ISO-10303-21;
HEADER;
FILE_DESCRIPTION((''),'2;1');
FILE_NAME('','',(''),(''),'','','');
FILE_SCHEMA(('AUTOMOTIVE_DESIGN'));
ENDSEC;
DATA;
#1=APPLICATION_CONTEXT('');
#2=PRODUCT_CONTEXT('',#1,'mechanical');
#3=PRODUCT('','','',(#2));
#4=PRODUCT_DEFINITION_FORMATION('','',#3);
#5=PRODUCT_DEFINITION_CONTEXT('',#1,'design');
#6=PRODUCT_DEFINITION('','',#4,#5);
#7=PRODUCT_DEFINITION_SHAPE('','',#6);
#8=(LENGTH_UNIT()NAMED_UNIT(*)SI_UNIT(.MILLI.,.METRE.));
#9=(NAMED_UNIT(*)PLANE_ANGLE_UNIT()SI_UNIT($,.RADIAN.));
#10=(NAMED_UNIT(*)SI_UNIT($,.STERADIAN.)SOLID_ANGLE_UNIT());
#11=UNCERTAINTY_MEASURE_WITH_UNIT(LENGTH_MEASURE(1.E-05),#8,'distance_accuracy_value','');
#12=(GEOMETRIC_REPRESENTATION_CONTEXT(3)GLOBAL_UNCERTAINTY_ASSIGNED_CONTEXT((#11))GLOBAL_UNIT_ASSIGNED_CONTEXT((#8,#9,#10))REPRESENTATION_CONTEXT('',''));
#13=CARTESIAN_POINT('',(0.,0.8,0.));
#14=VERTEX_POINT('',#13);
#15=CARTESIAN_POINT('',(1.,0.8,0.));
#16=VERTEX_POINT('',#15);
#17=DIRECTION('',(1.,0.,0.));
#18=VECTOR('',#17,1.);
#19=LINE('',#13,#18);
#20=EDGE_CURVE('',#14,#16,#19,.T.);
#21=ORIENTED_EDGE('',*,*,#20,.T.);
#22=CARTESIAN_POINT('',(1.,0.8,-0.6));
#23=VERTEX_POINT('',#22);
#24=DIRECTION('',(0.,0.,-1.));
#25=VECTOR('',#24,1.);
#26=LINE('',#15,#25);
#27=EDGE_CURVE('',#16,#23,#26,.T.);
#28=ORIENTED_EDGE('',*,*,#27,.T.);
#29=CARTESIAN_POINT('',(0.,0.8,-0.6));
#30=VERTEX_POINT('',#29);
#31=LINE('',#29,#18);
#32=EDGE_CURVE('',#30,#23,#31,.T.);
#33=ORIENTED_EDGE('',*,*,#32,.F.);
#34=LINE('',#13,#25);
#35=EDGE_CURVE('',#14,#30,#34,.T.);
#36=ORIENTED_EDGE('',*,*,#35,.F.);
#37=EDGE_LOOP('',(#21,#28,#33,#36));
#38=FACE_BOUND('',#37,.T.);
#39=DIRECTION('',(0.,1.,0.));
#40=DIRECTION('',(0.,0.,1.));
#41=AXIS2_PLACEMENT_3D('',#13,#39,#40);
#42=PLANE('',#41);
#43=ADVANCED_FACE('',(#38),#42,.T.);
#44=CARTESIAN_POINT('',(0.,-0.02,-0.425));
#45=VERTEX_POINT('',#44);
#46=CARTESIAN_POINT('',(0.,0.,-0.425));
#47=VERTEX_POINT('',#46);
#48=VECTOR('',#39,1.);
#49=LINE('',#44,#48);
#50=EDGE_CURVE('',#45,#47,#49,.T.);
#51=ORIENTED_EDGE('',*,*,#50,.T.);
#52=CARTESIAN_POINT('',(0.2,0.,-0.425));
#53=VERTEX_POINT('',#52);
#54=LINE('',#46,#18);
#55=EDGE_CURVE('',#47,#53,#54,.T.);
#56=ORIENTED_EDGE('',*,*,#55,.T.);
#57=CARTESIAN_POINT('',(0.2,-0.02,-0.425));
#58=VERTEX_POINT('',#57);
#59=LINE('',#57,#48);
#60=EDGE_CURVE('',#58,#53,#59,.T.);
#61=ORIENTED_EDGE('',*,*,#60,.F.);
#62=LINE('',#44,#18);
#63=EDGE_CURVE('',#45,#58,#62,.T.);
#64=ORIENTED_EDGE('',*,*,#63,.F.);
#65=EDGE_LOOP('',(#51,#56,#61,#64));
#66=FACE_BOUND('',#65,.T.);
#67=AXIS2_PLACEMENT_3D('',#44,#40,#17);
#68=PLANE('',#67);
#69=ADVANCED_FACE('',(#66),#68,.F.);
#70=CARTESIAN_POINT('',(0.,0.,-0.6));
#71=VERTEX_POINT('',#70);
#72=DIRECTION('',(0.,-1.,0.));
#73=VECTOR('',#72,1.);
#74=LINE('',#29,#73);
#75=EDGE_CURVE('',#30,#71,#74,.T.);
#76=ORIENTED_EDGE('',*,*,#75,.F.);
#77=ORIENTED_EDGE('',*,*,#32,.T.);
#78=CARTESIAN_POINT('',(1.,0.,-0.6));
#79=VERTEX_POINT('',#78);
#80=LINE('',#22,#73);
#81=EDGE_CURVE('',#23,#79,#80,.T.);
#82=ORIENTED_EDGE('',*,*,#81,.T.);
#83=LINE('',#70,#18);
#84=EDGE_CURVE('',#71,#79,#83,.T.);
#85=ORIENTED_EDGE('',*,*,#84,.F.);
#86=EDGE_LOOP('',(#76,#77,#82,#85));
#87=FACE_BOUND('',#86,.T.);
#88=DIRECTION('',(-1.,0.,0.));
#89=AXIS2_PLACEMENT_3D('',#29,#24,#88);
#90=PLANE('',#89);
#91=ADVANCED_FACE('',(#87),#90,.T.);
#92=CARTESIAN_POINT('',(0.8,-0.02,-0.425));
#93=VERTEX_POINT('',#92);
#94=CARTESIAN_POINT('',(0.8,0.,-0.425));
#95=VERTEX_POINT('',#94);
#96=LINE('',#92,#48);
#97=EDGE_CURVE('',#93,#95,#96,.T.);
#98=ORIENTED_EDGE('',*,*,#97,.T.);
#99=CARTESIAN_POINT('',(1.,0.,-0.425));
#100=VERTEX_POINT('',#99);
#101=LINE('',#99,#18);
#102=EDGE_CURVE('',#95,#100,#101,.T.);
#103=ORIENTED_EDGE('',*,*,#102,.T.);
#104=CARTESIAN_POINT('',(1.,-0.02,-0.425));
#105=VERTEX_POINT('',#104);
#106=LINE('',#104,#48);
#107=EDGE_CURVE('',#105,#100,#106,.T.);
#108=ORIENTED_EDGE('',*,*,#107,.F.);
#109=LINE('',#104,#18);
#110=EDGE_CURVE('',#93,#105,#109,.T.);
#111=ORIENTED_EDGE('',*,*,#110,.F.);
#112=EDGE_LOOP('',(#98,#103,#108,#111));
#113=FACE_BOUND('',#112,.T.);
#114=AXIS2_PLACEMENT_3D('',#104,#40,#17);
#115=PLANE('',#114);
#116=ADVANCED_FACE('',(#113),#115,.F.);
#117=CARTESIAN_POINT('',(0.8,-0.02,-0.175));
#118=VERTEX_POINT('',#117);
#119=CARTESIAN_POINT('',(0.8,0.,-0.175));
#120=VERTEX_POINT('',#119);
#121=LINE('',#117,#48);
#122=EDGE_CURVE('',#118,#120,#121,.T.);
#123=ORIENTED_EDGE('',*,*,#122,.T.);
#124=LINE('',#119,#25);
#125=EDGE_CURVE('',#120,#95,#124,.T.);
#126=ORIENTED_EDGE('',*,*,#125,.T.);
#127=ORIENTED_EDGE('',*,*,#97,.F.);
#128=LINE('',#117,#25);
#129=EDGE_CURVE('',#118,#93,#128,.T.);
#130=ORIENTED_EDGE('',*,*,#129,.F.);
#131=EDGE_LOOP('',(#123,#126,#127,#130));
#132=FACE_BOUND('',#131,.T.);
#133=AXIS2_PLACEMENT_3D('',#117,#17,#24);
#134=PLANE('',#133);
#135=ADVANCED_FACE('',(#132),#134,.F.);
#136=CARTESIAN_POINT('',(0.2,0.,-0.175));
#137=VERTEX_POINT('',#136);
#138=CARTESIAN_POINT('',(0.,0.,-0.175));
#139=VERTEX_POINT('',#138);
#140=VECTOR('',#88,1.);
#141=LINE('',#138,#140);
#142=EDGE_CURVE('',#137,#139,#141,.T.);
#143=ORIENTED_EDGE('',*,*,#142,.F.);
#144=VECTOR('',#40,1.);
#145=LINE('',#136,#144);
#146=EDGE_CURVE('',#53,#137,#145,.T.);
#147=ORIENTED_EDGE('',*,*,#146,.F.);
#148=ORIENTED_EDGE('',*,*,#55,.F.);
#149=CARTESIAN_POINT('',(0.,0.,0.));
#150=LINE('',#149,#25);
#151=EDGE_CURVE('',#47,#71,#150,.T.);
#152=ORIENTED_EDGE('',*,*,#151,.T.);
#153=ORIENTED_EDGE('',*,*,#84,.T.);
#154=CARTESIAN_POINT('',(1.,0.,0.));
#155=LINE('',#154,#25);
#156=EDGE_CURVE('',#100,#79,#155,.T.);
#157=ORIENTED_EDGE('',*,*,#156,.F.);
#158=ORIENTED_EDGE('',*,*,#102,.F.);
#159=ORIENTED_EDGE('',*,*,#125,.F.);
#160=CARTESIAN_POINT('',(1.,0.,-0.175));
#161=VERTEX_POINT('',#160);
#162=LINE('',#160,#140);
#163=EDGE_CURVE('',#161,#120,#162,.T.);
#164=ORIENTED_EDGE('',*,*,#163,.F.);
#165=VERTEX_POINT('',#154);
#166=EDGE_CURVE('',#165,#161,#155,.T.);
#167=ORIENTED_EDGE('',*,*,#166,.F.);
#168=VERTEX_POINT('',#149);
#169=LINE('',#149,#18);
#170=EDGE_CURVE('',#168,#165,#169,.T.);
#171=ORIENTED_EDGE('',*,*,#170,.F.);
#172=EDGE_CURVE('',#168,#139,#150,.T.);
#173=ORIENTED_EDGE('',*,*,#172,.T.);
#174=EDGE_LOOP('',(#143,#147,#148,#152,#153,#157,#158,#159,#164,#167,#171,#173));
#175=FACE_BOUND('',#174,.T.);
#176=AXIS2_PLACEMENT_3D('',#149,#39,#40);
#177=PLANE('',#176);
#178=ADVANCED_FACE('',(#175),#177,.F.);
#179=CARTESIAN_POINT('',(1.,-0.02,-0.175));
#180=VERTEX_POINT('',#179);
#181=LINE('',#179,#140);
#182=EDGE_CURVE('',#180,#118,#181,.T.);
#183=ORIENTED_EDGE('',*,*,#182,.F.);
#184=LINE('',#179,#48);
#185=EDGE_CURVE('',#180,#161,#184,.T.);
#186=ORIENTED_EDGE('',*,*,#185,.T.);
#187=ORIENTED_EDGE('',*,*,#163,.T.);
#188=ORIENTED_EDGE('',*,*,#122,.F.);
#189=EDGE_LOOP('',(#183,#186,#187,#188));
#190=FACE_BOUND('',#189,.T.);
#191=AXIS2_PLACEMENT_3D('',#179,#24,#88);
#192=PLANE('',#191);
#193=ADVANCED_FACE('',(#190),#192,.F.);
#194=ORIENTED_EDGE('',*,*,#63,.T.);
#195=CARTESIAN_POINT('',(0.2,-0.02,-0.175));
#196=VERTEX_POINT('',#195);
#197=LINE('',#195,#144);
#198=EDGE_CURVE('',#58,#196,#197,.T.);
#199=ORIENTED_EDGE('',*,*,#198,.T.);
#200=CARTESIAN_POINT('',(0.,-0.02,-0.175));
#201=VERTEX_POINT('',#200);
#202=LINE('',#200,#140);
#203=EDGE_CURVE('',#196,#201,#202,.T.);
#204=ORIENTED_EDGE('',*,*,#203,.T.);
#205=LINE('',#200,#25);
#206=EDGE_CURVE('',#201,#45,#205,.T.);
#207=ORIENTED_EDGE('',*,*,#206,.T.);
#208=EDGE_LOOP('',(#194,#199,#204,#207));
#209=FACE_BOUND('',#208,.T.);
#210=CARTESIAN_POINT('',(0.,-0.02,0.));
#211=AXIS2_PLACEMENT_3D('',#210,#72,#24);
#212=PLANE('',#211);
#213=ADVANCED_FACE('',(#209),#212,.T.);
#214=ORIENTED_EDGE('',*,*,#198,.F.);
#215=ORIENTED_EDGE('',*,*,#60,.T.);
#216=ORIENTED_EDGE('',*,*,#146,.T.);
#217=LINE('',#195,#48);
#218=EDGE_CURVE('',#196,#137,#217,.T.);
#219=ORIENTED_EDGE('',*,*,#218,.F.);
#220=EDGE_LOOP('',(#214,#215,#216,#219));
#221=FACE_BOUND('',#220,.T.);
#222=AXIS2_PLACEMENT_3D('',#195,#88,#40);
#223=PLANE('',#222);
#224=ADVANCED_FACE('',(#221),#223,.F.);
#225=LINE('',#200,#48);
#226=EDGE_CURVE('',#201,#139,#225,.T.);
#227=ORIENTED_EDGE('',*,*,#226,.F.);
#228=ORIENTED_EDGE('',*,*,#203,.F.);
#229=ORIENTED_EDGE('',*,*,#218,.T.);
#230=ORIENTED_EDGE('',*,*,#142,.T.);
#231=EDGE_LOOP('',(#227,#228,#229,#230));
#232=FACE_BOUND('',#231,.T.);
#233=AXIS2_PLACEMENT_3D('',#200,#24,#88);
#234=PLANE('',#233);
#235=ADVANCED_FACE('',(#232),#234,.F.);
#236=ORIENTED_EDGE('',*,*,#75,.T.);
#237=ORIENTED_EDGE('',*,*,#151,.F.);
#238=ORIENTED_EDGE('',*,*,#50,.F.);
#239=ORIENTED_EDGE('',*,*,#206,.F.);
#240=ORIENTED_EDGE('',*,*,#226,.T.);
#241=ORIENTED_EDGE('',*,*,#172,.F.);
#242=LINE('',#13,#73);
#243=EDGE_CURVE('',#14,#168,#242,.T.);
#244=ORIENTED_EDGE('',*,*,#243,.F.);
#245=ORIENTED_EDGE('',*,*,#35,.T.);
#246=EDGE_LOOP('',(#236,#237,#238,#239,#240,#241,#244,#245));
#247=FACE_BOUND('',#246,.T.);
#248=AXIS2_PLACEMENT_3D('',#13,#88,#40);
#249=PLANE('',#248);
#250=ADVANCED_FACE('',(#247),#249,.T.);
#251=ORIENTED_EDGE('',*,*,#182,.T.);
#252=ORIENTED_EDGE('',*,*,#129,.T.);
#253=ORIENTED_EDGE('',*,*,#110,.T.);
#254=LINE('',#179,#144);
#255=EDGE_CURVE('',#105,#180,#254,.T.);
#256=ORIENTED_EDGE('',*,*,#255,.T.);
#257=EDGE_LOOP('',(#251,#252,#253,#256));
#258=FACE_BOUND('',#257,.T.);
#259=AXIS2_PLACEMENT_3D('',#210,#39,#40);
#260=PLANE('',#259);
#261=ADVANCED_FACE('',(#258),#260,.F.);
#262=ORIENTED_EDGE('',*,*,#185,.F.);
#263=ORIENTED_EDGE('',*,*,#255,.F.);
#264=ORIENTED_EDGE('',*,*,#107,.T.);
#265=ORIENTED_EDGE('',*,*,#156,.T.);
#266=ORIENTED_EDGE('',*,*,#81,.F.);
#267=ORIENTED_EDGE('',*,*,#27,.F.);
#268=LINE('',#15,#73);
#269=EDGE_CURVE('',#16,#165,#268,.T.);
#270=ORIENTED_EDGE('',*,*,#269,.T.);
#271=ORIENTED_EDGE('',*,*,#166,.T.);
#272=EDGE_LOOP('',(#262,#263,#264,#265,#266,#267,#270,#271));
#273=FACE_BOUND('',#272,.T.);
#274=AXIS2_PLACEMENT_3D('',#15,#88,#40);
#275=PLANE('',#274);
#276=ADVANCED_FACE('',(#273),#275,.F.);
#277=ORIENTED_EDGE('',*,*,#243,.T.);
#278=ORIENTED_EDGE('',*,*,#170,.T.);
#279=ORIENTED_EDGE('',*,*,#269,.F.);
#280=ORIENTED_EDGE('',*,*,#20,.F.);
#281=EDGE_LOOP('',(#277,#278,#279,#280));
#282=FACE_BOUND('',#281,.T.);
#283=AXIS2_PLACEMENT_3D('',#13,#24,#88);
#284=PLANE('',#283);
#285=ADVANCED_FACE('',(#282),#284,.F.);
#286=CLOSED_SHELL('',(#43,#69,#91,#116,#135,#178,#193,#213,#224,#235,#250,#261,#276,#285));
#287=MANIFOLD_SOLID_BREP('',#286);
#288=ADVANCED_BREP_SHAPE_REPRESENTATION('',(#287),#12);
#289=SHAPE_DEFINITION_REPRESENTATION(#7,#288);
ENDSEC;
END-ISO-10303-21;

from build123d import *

# Parameters (mm, degrees)
SKETCH1_W           = 1
SKETCH1_H           = 0.6
BOSS_EXTRUDE1_DEPTH = 0.8
SKETCH3_W           = 0.2
SKETCH3_H           = 0.25
BOSS_EXTRUDE2_DEPTH = 0.02


with BuildPart() as part:
    # Sketch1 → Boss-Extrude1 (new body)
    with BuildSketch(Plane(origin=(0, 0, 0), x_dir=(1, 0, 0), z_dir=(0, 1, 0))):
        with Locations((0.5, 0.3)):
            Rectangle(SKETCH1_W, SKETCH1_H)
    extrude(amount=BOSS_EXTRUDE1_DEPTH)

    # Sketch3 → Boss-Extrude2 (add)
    with BuildSketch(Plane.XZ):
        with Locations((0.1, -0.3)):
            Rectangle(SKETCH3_W, SKETCH3_H)
        with Locations((0.9, -0.3)):
            Rectangle(SKETCH3_W, SKETCH3_H)
    extrude(amount=BOSS_EXTRUDE2_DEPTH)


solid = part.part
